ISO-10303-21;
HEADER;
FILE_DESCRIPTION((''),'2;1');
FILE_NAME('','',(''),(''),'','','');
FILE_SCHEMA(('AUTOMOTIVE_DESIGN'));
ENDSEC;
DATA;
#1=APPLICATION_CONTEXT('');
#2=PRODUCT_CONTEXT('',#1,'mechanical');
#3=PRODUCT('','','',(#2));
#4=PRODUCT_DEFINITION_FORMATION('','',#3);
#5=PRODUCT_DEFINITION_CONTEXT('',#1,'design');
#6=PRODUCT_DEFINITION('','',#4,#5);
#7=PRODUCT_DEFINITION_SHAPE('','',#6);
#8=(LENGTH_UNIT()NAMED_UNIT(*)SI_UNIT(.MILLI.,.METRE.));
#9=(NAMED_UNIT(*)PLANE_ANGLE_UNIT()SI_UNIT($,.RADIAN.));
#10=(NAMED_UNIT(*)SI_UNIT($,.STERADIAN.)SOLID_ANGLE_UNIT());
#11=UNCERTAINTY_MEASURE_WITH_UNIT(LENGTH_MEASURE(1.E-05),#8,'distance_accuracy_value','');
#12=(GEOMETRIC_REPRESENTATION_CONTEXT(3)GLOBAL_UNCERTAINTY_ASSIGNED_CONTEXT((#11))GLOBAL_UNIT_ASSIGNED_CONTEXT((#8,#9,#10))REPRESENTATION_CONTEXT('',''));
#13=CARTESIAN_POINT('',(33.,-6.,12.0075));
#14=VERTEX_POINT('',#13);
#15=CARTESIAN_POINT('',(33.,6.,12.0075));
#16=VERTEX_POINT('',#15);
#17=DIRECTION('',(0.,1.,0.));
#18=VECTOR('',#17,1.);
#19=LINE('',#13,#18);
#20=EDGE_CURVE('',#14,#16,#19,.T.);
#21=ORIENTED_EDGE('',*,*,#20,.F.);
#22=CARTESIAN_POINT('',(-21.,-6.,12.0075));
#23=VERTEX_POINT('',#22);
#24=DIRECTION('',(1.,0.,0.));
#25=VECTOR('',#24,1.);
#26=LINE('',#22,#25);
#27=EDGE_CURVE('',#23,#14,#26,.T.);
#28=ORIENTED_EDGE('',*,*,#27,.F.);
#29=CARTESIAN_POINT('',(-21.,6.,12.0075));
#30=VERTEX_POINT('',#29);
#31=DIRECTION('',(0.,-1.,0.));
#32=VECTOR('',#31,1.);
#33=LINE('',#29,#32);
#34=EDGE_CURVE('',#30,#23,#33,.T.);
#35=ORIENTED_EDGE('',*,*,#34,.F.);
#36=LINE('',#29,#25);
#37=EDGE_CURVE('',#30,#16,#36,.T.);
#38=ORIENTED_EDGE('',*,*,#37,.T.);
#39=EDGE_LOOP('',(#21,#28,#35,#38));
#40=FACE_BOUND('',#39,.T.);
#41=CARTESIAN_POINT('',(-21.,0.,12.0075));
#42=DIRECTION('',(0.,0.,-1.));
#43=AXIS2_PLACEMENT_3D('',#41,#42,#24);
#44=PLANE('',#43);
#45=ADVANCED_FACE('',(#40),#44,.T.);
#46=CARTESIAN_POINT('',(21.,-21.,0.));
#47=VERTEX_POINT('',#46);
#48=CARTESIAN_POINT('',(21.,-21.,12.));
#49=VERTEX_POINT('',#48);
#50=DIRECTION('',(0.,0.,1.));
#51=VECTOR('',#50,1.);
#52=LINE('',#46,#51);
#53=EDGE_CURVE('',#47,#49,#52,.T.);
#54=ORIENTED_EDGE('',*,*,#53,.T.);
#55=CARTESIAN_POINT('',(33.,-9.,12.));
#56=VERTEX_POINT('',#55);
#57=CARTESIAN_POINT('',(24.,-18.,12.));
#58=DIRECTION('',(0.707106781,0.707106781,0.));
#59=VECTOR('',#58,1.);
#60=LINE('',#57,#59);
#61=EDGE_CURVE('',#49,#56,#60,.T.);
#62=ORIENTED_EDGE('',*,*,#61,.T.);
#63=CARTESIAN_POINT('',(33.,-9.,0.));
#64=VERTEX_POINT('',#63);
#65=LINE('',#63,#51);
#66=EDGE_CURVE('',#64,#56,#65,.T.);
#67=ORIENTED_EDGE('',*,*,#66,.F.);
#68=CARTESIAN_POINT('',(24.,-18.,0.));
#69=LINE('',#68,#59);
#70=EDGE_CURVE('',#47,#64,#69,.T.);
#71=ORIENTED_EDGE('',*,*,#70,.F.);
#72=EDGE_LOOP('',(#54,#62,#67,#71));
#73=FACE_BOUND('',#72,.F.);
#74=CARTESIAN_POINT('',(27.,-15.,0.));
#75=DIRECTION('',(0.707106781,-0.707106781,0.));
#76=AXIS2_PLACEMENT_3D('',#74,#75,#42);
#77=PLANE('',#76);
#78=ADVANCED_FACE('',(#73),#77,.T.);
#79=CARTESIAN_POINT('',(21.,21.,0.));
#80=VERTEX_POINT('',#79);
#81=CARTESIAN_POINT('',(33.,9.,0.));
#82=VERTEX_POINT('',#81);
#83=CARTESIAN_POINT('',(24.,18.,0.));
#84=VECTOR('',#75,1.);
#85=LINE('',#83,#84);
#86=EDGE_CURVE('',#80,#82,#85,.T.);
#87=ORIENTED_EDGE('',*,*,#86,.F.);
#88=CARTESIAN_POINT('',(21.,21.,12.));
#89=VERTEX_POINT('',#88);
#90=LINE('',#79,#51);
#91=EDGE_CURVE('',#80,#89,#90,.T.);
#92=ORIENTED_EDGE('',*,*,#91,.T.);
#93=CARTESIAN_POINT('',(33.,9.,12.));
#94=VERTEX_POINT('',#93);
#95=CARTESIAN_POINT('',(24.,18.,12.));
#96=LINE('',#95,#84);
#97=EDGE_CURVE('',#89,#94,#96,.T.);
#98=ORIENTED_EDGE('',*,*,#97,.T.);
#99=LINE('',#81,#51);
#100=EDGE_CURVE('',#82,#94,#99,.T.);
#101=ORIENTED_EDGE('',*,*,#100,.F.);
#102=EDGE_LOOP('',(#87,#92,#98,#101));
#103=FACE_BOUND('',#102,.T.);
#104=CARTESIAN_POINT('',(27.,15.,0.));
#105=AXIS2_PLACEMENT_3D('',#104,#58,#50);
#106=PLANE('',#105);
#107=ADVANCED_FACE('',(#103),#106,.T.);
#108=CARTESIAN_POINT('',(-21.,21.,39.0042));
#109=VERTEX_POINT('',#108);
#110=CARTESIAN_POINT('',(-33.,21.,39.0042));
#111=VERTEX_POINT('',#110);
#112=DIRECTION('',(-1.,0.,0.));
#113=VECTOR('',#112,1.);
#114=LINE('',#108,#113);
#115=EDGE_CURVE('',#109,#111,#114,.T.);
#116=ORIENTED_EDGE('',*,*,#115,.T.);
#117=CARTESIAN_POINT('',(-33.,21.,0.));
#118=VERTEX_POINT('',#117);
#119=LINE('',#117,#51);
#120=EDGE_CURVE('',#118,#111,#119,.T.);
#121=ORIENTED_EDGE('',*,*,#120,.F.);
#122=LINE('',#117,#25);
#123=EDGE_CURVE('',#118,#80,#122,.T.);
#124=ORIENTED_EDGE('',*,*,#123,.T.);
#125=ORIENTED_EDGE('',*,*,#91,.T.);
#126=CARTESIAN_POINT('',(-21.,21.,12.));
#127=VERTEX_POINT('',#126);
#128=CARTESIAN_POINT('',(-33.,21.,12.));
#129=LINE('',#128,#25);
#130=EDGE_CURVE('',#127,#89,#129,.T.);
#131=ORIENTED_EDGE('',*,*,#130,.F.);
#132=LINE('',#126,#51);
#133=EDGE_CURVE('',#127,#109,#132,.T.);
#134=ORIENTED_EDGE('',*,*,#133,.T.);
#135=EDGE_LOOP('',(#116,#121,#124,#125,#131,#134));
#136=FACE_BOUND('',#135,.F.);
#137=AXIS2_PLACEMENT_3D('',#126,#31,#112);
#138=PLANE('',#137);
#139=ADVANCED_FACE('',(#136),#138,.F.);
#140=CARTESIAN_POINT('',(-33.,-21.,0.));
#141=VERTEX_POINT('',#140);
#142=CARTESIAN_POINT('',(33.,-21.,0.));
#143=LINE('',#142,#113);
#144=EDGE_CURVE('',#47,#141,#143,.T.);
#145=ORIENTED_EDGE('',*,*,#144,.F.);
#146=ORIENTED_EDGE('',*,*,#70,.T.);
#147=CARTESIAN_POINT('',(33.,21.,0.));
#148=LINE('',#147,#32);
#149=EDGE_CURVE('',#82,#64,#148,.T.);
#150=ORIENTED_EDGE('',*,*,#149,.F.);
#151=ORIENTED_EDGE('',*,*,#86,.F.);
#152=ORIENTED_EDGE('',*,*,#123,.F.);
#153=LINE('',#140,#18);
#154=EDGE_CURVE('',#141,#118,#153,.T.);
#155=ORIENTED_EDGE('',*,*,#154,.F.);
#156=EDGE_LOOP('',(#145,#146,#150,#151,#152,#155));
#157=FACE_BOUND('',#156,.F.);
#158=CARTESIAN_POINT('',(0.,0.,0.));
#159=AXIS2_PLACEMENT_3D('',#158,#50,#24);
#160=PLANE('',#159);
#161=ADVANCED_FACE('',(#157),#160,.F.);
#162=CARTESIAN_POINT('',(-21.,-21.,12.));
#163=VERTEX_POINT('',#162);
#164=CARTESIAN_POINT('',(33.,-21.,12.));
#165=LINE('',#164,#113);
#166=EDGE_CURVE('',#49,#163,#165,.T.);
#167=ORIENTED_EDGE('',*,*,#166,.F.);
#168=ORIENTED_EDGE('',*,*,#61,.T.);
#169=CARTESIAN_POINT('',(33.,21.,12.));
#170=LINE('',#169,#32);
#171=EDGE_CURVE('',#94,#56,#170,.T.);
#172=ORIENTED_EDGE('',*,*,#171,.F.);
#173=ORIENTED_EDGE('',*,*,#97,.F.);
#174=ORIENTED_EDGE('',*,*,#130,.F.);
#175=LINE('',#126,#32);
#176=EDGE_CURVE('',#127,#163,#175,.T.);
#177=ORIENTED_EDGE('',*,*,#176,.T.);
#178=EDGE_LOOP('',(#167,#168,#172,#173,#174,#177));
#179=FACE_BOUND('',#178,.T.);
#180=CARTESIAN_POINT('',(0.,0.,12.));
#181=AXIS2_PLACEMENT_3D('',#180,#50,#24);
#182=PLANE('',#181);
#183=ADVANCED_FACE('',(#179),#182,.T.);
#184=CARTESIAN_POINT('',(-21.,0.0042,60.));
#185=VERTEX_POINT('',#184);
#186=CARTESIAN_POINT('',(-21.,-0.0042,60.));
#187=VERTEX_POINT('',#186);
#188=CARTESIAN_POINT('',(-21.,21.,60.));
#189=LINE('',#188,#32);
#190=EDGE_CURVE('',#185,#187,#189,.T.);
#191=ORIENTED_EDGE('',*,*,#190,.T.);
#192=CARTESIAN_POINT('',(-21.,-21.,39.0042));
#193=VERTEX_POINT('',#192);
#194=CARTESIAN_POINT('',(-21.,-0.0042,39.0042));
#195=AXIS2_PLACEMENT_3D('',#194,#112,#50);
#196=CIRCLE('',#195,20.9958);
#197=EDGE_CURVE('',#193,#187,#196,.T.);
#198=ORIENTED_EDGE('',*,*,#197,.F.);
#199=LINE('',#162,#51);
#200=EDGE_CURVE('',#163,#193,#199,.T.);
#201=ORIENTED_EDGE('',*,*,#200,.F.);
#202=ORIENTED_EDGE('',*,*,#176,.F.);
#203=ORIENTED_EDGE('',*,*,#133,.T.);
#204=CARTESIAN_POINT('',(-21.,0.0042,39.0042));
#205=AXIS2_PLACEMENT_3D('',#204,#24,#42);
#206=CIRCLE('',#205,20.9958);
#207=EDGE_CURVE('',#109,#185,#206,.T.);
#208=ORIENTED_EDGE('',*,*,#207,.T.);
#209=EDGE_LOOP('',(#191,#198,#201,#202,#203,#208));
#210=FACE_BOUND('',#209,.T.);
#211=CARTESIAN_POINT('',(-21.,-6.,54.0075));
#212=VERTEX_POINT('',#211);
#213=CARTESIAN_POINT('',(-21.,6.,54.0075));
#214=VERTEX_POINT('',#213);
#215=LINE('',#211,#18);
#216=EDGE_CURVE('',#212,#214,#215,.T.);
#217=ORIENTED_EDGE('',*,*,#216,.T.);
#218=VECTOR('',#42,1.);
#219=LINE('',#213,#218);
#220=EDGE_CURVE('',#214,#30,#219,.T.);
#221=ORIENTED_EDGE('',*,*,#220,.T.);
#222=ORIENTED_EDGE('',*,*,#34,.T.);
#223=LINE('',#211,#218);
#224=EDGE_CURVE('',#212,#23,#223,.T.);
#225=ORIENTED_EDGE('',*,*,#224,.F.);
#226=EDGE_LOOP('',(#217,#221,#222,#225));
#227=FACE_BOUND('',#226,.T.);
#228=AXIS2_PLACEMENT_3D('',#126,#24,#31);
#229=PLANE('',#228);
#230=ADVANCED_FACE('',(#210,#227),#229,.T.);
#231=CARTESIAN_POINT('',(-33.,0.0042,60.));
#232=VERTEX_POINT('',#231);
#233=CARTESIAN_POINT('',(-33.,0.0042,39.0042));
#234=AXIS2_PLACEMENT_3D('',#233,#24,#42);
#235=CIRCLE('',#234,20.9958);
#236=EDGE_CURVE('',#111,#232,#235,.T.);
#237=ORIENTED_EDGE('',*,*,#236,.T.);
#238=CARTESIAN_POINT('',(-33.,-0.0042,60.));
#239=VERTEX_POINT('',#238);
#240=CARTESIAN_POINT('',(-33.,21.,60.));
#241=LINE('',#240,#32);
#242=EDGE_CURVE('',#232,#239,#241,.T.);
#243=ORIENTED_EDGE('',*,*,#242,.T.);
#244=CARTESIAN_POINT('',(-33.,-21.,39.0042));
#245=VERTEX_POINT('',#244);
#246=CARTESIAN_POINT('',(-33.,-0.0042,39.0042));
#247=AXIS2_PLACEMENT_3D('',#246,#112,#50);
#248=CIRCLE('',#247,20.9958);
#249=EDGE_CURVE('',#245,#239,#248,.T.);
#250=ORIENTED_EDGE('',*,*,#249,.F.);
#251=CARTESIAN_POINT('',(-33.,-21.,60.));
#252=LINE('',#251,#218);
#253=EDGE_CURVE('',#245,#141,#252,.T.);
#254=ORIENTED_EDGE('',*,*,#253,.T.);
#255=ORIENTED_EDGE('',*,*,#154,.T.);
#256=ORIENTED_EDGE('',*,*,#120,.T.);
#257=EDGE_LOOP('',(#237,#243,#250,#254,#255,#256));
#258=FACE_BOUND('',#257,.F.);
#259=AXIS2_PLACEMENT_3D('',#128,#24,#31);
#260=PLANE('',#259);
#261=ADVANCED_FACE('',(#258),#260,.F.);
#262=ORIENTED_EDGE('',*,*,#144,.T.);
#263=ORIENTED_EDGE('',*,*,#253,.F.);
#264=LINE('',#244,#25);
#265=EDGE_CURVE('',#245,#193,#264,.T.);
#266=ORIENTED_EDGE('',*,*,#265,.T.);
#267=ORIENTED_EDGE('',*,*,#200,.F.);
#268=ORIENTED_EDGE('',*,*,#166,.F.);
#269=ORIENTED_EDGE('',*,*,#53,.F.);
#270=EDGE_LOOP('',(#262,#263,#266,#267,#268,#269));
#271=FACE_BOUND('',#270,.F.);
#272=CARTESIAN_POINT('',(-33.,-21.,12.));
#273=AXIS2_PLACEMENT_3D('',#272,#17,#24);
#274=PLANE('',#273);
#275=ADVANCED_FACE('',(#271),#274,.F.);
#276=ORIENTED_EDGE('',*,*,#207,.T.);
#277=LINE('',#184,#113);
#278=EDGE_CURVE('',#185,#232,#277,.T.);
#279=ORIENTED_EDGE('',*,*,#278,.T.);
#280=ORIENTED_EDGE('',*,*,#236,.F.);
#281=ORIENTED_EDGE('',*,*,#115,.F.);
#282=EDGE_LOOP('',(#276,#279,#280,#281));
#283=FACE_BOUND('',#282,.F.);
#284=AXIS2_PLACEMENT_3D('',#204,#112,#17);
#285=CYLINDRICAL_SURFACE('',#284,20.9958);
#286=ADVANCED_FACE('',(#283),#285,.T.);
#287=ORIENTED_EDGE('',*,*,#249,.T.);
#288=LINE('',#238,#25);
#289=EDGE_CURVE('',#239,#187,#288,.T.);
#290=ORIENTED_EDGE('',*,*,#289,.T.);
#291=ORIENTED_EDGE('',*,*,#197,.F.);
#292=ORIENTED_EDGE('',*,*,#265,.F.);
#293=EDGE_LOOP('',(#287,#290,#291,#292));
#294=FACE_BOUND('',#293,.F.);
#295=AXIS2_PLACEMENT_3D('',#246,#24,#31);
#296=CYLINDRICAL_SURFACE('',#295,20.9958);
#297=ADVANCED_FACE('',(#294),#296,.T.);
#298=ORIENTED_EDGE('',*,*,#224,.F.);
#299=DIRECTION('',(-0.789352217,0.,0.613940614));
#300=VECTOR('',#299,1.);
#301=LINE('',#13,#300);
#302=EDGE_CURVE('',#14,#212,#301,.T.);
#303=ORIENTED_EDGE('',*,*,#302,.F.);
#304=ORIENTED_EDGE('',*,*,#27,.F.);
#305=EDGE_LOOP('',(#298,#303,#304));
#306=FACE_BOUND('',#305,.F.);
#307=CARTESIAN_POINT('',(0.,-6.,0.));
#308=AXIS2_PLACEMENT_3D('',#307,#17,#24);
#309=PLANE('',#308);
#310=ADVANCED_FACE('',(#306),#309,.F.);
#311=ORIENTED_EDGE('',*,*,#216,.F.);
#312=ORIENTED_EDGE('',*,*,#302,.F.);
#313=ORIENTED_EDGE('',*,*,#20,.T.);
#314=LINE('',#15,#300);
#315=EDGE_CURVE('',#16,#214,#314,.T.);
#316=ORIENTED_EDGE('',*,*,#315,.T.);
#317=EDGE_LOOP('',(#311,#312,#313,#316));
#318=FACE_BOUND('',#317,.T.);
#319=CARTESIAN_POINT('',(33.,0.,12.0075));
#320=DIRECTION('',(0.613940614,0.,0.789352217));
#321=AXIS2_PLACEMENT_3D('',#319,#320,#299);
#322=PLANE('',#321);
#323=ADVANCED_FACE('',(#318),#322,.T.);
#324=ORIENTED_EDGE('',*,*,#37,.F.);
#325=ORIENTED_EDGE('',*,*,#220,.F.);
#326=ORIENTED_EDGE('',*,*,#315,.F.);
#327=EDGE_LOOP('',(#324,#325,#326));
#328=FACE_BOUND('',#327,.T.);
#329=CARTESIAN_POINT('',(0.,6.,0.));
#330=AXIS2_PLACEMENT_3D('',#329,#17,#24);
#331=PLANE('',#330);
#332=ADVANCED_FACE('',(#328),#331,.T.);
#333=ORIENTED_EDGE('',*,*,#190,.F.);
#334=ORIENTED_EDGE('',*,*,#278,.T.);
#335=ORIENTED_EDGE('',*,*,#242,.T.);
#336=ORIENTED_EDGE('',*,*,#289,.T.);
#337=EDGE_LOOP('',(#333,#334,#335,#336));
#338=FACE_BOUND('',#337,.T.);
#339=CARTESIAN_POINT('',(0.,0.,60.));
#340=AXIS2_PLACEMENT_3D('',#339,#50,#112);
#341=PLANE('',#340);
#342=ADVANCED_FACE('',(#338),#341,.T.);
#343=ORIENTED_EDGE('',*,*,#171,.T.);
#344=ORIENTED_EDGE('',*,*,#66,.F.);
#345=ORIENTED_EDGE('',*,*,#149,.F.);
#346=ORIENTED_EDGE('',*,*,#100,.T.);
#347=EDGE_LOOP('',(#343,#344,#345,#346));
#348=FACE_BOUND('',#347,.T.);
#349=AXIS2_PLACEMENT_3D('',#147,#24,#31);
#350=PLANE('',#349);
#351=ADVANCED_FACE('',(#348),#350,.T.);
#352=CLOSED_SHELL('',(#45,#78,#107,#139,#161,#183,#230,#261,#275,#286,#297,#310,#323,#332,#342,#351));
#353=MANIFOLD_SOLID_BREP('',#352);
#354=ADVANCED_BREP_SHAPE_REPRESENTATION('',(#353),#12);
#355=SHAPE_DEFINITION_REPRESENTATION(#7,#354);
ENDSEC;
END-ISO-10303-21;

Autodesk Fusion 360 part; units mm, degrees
sketch "Base_Sketch" plane through (0, 0, 0) normal (0, 0, 1) x (1, 0, 0)
  line L0 (33, -21) -> (-33, -21)
  line L1 (-33, -21) -> (-33, 21)
  line L2 (-33, 21) -> (33, 21)
  line L3 (33, 21) -> (33, -21)
  line L4 (33, -21) -> (-33, 21) construction
  line L5 (-33, -21) -> (33, 21) construction
  dimension "d1" = 66
  dimension "d2" = 42
extrude "Extrude1" add sketch "Base_Sketch" along normal blind 12
chamfer "Chamfer1" distance 12 angle 45 2 edges at (33, -21, 6) (33, 21, 6)
sketch "Front_Base_Sketch" plane through (0, 0, 12) normal (0, 0, 1) x (-1, 0, 0)
  line L0 (-33, -9) -> (-21, -21)
  line L1 (-21, -21) -> (33, -21)
  line L2 (33, -21) -> (33, 21)
  line L3 (33, 21) -> (-21, 21)
  line L4 (-21, 21) -> (-33, 9)
  line L5 (-33, 9) -> (-33, -9)
  line L6 (33, -21) -> (21, -21)
  line L7 (21, -21) -> (21, 21)
  line L8 (21, 21) -> (33, 21)
  line L9 (33, 21) -> (33, -21)
  dimension "d6" = 12
extrude "Extrude2" add sketch "Front_Base_Sketch" along normal blind 48 contours L1 L2 L3 L6 L7 L8 L9
fillet "Fillet1" radius 21 2 edges at (-27, -21, 60) (-27, 21, 60)
sketch "Triangle_Sketch" plane through (0, 0, 0) normal (0, 1, 0) x (1, 0, 0)
  line L0 (-21, -54.0075) -> (-21, -12.0075)
  line L1 (-21, -12.0075) -> (33, -12.0075)
  line L2 (33, -12.0075) -> (-21, -54.0075)
  dimension "d10" = 42
  dimension "d11" = 54
extrude "Extrude3" add sketch "Triangle_Sketch" along normal mid plane 12
equation "d11 = 66 mm - 12 mm"
